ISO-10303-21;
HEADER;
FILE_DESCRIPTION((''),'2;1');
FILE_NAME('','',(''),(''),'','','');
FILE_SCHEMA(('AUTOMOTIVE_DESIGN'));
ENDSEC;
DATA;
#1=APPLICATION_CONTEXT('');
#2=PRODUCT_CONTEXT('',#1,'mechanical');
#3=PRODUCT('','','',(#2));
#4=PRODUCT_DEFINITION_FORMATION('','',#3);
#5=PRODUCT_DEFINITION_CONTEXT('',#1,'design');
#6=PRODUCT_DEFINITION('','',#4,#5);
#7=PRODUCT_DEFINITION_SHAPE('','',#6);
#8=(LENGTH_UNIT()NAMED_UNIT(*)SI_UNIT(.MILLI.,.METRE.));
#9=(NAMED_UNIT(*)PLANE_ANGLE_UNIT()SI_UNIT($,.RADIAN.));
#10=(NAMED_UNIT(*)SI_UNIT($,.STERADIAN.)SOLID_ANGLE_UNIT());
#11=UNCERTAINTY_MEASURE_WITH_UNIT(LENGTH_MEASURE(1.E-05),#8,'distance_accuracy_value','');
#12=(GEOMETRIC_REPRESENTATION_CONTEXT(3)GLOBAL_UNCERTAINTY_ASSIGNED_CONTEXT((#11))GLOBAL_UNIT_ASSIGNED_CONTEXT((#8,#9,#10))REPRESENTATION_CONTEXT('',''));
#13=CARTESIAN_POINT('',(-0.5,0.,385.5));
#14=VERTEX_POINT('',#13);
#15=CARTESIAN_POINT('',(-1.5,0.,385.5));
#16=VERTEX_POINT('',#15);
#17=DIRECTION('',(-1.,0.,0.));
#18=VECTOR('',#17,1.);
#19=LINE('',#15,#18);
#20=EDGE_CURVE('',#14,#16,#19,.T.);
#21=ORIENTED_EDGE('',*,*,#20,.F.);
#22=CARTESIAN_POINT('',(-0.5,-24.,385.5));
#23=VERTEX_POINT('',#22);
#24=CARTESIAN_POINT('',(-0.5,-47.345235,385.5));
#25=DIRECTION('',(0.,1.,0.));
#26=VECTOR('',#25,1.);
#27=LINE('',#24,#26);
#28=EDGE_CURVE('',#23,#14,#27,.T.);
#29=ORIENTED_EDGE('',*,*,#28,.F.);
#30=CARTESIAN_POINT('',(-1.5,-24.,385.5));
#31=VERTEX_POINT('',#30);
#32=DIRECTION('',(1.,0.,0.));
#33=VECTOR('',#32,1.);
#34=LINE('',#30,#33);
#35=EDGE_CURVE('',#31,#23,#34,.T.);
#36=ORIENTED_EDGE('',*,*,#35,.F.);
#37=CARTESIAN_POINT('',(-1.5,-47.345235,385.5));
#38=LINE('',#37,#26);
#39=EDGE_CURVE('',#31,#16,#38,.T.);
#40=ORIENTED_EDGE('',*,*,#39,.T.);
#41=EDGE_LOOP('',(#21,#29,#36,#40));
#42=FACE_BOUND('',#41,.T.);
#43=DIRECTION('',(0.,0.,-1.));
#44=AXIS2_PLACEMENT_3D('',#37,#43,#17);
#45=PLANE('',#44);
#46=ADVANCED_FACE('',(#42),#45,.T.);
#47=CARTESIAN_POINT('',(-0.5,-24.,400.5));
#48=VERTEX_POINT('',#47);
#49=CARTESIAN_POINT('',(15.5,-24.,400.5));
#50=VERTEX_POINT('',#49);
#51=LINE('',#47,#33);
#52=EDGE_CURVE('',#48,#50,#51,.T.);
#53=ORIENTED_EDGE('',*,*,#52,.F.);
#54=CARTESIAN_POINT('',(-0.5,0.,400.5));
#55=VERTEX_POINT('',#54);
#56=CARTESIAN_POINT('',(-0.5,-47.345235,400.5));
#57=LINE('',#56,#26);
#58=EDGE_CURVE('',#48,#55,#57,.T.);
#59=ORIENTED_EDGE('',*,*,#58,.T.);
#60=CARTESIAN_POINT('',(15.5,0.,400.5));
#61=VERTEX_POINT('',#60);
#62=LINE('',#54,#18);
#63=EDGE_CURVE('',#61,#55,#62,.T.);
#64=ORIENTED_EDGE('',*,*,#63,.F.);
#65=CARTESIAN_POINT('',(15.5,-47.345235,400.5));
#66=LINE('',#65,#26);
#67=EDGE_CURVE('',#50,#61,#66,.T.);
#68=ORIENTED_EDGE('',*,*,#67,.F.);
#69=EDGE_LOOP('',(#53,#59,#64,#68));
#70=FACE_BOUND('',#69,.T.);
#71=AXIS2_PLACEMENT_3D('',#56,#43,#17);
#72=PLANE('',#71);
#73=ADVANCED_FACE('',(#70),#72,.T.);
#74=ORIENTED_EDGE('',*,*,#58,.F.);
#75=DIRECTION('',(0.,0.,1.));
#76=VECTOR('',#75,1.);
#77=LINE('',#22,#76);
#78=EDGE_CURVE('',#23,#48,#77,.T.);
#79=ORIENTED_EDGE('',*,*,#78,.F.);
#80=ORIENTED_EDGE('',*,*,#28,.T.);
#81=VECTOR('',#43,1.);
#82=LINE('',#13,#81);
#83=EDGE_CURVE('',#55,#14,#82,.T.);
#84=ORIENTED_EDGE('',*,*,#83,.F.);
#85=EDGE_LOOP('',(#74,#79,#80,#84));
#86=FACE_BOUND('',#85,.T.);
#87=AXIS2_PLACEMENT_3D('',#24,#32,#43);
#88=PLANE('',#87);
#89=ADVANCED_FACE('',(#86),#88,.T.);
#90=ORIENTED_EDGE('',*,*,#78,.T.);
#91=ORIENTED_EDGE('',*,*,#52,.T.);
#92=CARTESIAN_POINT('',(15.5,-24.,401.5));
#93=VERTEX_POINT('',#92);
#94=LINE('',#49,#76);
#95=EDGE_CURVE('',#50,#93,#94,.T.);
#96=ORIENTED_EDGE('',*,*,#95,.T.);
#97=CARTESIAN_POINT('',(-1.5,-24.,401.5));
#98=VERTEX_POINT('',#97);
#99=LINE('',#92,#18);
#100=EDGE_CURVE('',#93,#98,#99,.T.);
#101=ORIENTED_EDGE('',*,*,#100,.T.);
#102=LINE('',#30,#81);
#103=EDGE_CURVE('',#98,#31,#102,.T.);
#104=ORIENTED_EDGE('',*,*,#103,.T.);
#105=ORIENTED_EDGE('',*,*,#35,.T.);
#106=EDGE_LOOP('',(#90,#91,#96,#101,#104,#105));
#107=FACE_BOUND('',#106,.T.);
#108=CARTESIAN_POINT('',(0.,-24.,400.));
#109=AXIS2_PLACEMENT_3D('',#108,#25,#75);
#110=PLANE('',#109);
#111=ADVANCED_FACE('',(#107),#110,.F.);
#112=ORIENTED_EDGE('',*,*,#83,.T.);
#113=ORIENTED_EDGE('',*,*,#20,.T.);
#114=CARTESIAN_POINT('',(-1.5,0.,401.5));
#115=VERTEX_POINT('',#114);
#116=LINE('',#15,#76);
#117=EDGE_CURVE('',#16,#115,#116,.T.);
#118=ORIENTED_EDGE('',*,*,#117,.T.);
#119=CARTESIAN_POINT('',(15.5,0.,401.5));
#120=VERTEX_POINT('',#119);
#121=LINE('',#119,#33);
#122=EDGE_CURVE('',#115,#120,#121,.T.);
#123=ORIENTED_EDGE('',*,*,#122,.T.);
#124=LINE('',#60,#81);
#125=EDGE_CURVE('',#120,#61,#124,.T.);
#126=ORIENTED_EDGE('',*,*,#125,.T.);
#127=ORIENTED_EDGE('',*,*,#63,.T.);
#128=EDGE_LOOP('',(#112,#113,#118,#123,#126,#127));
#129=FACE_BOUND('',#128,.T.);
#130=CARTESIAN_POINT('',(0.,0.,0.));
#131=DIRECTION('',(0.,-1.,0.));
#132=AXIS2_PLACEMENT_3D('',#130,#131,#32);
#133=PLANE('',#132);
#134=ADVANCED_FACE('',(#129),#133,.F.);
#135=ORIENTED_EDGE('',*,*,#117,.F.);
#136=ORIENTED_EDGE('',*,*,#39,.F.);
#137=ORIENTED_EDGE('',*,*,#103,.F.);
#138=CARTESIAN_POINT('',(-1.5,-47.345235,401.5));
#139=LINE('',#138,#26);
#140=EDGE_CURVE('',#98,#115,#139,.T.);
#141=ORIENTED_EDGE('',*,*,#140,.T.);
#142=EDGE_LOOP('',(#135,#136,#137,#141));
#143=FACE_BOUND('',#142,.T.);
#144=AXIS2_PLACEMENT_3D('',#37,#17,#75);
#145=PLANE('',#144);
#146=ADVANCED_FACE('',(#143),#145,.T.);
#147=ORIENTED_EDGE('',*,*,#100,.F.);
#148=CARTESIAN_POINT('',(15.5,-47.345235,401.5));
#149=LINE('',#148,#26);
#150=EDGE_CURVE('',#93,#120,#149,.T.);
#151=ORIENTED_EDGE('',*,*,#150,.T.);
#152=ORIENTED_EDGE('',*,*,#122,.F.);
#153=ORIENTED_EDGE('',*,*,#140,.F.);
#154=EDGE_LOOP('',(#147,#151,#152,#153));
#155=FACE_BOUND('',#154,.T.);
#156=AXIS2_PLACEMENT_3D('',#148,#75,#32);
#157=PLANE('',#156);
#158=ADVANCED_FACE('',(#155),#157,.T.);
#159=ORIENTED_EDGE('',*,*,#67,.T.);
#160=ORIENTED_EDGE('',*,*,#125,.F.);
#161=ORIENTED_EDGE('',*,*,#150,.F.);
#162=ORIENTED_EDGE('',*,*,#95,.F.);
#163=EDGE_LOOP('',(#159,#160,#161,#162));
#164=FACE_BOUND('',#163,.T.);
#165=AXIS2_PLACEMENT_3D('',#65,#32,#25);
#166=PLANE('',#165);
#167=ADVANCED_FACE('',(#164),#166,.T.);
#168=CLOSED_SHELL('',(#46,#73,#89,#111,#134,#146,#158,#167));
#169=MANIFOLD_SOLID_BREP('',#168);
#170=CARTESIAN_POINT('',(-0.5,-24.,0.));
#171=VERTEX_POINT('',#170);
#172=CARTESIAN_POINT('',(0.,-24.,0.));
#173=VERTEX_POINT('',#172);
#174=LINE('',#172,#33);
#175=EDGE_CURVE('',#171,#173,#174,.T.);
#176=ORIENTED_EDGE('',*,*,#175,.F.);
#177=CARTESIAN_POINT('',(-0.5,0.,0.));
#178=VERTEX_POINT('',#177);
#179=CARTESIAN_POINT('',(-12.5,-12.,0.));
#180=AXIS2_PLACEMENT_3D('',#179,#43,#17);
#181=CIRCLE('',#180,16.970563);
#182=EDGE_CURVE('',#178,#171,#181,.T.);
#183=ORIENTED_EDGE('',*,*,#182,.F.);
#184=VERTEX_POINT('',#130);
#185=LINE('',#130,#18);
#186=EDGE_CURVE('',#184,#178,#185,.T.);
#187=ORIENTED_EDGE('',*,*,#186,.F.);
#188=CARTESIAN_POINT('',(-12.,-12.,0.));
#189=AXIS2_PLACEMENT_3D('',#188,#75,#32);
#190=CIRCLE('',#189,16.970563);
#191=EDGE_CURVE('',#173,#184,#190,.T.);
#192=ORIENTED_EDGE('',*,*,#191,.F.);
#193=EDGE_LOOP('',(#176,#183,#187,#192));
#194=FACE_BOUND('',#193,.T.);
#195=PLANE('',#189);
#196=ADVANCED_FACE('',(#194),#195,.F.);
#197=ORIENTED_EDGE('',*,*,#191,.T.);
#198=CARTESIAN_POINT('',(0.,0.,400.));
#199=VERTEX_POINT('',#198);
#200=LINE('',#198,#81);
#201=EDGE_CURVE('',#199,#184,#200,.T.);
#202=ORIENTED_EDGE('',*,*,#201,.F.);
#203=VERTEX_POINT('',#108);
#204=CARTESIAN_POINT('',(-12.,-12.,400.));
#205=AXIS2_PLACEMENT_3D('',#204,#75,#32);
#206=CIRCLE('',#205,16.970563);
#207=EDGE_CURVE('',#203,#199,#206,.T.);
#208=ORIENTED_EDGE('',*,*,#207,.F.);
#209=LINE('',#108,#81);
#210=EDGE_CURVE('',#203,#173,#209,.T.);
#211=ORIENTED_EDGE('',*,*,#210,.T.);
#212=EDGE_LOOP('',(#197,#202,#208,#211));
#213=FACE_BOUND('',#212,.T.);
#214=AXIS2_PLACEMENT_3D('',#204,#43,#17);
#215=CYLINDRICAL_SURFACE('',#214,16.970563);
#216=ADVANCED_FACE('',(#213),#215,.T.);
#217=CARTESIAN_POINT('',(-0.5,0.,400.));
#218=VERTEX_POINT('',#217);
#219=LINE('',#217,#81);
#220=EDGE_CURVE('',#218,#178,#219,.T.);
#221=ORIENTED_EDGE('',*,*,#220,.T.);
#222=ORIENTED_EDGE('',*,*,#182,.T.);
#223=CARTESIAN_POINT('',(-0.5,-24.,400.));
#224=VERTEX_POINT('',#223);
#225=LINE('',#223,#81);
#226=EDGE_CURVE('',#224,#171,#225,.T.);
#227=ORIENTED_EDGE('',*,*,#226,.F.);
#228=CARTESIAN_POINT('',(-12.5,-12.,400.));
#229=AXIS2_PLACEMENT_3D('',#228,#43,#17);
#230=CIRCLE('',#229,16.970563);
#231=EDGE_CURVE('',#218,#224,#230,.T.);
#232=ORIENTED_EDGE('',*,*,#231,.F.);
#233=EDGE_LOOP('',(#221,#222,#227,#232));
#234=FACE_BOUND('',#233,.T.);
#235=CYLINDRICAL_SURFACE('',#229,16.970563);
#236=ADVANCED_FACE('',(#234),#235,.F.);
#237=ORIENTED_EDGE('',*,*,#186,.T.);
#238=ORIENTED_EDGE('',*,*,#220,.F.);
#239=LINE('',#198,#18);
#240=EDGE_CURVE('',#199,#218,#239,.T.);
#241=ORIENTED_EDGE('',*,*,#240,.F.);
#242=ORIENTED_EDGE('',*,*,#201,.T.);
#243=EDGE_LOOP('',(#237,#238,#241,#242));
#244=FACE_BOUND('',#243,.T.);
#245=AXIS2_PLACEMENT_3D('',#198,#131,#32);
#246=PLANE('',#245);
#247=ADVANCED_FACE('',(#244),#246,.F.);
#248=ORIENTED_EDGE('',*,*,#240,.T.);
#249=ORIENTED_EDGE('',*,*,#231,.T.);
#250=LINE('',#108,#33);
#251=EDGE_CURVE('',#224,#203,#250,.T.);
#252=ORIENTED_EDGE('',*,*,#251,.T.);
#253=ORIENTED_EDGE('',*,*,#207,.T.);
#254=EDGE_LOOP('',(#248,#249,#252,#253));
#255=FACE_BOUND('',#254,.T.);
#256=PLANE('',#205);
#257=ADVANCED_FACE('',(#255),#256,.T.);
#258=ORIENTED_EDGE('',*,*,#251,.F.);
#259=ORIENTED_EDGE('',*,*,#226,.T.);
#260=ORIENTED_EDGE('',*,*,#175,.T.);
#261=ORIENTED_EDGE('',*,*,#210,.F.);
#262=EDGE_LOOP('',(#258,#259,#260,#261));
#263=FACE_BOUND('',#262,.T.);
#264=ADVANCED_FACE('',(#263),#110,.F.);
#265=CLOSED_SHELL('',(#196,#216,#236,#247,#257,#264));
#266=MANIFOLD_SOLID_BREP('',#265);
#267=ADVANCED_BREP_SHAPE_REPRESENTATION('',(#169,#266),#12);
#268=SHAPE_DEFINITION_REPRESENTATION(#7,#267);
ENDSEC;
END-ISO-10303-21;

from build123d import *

# Parameters (mm, degrees)
SALIENTE_EXTRUIR1_DEPTH = 400
SALIENTE_EXTRUIR6_DEPTH = 24


with BuildPart() as part:
    # Croquis1 → Saliente-Extruir1 (new body)
    with BuildSketch(Plane.XY):
        with BuildLine():
            Line((0, 0), (-0.5, 0))
            ThreePointArc((-0.5, 0), (4.470562748, -12), (-0.5, -24))
            Line((-0.5, -24), (0, -24))
            ThreePointArc((0, -24), (4.970562748, -12), (0, 0))
        make_face()
    extrude(amount=SALIENTE_EXTRUIR1_DEPTH)


with BuildPart() as body_2:
    # Croquis2 → Saliente-Extruir6 (new body)
    with BuildSketch(Plane(origin=(0, 0, 0), x_dir=(1, 0, 0), z_dir=(0, 1, 0))):
        Polygon((-1.5, -385.5), (-0.5, -385.5), (-0.5, -400.5), (15.5, -400.5), (15.5, -401.5), (-1.5, -401.5), align=None)
    extrude(amount=-SALIENTE_EXTRUIR6_DEPTH)


solid = Compound([part.part, body_2.part])
